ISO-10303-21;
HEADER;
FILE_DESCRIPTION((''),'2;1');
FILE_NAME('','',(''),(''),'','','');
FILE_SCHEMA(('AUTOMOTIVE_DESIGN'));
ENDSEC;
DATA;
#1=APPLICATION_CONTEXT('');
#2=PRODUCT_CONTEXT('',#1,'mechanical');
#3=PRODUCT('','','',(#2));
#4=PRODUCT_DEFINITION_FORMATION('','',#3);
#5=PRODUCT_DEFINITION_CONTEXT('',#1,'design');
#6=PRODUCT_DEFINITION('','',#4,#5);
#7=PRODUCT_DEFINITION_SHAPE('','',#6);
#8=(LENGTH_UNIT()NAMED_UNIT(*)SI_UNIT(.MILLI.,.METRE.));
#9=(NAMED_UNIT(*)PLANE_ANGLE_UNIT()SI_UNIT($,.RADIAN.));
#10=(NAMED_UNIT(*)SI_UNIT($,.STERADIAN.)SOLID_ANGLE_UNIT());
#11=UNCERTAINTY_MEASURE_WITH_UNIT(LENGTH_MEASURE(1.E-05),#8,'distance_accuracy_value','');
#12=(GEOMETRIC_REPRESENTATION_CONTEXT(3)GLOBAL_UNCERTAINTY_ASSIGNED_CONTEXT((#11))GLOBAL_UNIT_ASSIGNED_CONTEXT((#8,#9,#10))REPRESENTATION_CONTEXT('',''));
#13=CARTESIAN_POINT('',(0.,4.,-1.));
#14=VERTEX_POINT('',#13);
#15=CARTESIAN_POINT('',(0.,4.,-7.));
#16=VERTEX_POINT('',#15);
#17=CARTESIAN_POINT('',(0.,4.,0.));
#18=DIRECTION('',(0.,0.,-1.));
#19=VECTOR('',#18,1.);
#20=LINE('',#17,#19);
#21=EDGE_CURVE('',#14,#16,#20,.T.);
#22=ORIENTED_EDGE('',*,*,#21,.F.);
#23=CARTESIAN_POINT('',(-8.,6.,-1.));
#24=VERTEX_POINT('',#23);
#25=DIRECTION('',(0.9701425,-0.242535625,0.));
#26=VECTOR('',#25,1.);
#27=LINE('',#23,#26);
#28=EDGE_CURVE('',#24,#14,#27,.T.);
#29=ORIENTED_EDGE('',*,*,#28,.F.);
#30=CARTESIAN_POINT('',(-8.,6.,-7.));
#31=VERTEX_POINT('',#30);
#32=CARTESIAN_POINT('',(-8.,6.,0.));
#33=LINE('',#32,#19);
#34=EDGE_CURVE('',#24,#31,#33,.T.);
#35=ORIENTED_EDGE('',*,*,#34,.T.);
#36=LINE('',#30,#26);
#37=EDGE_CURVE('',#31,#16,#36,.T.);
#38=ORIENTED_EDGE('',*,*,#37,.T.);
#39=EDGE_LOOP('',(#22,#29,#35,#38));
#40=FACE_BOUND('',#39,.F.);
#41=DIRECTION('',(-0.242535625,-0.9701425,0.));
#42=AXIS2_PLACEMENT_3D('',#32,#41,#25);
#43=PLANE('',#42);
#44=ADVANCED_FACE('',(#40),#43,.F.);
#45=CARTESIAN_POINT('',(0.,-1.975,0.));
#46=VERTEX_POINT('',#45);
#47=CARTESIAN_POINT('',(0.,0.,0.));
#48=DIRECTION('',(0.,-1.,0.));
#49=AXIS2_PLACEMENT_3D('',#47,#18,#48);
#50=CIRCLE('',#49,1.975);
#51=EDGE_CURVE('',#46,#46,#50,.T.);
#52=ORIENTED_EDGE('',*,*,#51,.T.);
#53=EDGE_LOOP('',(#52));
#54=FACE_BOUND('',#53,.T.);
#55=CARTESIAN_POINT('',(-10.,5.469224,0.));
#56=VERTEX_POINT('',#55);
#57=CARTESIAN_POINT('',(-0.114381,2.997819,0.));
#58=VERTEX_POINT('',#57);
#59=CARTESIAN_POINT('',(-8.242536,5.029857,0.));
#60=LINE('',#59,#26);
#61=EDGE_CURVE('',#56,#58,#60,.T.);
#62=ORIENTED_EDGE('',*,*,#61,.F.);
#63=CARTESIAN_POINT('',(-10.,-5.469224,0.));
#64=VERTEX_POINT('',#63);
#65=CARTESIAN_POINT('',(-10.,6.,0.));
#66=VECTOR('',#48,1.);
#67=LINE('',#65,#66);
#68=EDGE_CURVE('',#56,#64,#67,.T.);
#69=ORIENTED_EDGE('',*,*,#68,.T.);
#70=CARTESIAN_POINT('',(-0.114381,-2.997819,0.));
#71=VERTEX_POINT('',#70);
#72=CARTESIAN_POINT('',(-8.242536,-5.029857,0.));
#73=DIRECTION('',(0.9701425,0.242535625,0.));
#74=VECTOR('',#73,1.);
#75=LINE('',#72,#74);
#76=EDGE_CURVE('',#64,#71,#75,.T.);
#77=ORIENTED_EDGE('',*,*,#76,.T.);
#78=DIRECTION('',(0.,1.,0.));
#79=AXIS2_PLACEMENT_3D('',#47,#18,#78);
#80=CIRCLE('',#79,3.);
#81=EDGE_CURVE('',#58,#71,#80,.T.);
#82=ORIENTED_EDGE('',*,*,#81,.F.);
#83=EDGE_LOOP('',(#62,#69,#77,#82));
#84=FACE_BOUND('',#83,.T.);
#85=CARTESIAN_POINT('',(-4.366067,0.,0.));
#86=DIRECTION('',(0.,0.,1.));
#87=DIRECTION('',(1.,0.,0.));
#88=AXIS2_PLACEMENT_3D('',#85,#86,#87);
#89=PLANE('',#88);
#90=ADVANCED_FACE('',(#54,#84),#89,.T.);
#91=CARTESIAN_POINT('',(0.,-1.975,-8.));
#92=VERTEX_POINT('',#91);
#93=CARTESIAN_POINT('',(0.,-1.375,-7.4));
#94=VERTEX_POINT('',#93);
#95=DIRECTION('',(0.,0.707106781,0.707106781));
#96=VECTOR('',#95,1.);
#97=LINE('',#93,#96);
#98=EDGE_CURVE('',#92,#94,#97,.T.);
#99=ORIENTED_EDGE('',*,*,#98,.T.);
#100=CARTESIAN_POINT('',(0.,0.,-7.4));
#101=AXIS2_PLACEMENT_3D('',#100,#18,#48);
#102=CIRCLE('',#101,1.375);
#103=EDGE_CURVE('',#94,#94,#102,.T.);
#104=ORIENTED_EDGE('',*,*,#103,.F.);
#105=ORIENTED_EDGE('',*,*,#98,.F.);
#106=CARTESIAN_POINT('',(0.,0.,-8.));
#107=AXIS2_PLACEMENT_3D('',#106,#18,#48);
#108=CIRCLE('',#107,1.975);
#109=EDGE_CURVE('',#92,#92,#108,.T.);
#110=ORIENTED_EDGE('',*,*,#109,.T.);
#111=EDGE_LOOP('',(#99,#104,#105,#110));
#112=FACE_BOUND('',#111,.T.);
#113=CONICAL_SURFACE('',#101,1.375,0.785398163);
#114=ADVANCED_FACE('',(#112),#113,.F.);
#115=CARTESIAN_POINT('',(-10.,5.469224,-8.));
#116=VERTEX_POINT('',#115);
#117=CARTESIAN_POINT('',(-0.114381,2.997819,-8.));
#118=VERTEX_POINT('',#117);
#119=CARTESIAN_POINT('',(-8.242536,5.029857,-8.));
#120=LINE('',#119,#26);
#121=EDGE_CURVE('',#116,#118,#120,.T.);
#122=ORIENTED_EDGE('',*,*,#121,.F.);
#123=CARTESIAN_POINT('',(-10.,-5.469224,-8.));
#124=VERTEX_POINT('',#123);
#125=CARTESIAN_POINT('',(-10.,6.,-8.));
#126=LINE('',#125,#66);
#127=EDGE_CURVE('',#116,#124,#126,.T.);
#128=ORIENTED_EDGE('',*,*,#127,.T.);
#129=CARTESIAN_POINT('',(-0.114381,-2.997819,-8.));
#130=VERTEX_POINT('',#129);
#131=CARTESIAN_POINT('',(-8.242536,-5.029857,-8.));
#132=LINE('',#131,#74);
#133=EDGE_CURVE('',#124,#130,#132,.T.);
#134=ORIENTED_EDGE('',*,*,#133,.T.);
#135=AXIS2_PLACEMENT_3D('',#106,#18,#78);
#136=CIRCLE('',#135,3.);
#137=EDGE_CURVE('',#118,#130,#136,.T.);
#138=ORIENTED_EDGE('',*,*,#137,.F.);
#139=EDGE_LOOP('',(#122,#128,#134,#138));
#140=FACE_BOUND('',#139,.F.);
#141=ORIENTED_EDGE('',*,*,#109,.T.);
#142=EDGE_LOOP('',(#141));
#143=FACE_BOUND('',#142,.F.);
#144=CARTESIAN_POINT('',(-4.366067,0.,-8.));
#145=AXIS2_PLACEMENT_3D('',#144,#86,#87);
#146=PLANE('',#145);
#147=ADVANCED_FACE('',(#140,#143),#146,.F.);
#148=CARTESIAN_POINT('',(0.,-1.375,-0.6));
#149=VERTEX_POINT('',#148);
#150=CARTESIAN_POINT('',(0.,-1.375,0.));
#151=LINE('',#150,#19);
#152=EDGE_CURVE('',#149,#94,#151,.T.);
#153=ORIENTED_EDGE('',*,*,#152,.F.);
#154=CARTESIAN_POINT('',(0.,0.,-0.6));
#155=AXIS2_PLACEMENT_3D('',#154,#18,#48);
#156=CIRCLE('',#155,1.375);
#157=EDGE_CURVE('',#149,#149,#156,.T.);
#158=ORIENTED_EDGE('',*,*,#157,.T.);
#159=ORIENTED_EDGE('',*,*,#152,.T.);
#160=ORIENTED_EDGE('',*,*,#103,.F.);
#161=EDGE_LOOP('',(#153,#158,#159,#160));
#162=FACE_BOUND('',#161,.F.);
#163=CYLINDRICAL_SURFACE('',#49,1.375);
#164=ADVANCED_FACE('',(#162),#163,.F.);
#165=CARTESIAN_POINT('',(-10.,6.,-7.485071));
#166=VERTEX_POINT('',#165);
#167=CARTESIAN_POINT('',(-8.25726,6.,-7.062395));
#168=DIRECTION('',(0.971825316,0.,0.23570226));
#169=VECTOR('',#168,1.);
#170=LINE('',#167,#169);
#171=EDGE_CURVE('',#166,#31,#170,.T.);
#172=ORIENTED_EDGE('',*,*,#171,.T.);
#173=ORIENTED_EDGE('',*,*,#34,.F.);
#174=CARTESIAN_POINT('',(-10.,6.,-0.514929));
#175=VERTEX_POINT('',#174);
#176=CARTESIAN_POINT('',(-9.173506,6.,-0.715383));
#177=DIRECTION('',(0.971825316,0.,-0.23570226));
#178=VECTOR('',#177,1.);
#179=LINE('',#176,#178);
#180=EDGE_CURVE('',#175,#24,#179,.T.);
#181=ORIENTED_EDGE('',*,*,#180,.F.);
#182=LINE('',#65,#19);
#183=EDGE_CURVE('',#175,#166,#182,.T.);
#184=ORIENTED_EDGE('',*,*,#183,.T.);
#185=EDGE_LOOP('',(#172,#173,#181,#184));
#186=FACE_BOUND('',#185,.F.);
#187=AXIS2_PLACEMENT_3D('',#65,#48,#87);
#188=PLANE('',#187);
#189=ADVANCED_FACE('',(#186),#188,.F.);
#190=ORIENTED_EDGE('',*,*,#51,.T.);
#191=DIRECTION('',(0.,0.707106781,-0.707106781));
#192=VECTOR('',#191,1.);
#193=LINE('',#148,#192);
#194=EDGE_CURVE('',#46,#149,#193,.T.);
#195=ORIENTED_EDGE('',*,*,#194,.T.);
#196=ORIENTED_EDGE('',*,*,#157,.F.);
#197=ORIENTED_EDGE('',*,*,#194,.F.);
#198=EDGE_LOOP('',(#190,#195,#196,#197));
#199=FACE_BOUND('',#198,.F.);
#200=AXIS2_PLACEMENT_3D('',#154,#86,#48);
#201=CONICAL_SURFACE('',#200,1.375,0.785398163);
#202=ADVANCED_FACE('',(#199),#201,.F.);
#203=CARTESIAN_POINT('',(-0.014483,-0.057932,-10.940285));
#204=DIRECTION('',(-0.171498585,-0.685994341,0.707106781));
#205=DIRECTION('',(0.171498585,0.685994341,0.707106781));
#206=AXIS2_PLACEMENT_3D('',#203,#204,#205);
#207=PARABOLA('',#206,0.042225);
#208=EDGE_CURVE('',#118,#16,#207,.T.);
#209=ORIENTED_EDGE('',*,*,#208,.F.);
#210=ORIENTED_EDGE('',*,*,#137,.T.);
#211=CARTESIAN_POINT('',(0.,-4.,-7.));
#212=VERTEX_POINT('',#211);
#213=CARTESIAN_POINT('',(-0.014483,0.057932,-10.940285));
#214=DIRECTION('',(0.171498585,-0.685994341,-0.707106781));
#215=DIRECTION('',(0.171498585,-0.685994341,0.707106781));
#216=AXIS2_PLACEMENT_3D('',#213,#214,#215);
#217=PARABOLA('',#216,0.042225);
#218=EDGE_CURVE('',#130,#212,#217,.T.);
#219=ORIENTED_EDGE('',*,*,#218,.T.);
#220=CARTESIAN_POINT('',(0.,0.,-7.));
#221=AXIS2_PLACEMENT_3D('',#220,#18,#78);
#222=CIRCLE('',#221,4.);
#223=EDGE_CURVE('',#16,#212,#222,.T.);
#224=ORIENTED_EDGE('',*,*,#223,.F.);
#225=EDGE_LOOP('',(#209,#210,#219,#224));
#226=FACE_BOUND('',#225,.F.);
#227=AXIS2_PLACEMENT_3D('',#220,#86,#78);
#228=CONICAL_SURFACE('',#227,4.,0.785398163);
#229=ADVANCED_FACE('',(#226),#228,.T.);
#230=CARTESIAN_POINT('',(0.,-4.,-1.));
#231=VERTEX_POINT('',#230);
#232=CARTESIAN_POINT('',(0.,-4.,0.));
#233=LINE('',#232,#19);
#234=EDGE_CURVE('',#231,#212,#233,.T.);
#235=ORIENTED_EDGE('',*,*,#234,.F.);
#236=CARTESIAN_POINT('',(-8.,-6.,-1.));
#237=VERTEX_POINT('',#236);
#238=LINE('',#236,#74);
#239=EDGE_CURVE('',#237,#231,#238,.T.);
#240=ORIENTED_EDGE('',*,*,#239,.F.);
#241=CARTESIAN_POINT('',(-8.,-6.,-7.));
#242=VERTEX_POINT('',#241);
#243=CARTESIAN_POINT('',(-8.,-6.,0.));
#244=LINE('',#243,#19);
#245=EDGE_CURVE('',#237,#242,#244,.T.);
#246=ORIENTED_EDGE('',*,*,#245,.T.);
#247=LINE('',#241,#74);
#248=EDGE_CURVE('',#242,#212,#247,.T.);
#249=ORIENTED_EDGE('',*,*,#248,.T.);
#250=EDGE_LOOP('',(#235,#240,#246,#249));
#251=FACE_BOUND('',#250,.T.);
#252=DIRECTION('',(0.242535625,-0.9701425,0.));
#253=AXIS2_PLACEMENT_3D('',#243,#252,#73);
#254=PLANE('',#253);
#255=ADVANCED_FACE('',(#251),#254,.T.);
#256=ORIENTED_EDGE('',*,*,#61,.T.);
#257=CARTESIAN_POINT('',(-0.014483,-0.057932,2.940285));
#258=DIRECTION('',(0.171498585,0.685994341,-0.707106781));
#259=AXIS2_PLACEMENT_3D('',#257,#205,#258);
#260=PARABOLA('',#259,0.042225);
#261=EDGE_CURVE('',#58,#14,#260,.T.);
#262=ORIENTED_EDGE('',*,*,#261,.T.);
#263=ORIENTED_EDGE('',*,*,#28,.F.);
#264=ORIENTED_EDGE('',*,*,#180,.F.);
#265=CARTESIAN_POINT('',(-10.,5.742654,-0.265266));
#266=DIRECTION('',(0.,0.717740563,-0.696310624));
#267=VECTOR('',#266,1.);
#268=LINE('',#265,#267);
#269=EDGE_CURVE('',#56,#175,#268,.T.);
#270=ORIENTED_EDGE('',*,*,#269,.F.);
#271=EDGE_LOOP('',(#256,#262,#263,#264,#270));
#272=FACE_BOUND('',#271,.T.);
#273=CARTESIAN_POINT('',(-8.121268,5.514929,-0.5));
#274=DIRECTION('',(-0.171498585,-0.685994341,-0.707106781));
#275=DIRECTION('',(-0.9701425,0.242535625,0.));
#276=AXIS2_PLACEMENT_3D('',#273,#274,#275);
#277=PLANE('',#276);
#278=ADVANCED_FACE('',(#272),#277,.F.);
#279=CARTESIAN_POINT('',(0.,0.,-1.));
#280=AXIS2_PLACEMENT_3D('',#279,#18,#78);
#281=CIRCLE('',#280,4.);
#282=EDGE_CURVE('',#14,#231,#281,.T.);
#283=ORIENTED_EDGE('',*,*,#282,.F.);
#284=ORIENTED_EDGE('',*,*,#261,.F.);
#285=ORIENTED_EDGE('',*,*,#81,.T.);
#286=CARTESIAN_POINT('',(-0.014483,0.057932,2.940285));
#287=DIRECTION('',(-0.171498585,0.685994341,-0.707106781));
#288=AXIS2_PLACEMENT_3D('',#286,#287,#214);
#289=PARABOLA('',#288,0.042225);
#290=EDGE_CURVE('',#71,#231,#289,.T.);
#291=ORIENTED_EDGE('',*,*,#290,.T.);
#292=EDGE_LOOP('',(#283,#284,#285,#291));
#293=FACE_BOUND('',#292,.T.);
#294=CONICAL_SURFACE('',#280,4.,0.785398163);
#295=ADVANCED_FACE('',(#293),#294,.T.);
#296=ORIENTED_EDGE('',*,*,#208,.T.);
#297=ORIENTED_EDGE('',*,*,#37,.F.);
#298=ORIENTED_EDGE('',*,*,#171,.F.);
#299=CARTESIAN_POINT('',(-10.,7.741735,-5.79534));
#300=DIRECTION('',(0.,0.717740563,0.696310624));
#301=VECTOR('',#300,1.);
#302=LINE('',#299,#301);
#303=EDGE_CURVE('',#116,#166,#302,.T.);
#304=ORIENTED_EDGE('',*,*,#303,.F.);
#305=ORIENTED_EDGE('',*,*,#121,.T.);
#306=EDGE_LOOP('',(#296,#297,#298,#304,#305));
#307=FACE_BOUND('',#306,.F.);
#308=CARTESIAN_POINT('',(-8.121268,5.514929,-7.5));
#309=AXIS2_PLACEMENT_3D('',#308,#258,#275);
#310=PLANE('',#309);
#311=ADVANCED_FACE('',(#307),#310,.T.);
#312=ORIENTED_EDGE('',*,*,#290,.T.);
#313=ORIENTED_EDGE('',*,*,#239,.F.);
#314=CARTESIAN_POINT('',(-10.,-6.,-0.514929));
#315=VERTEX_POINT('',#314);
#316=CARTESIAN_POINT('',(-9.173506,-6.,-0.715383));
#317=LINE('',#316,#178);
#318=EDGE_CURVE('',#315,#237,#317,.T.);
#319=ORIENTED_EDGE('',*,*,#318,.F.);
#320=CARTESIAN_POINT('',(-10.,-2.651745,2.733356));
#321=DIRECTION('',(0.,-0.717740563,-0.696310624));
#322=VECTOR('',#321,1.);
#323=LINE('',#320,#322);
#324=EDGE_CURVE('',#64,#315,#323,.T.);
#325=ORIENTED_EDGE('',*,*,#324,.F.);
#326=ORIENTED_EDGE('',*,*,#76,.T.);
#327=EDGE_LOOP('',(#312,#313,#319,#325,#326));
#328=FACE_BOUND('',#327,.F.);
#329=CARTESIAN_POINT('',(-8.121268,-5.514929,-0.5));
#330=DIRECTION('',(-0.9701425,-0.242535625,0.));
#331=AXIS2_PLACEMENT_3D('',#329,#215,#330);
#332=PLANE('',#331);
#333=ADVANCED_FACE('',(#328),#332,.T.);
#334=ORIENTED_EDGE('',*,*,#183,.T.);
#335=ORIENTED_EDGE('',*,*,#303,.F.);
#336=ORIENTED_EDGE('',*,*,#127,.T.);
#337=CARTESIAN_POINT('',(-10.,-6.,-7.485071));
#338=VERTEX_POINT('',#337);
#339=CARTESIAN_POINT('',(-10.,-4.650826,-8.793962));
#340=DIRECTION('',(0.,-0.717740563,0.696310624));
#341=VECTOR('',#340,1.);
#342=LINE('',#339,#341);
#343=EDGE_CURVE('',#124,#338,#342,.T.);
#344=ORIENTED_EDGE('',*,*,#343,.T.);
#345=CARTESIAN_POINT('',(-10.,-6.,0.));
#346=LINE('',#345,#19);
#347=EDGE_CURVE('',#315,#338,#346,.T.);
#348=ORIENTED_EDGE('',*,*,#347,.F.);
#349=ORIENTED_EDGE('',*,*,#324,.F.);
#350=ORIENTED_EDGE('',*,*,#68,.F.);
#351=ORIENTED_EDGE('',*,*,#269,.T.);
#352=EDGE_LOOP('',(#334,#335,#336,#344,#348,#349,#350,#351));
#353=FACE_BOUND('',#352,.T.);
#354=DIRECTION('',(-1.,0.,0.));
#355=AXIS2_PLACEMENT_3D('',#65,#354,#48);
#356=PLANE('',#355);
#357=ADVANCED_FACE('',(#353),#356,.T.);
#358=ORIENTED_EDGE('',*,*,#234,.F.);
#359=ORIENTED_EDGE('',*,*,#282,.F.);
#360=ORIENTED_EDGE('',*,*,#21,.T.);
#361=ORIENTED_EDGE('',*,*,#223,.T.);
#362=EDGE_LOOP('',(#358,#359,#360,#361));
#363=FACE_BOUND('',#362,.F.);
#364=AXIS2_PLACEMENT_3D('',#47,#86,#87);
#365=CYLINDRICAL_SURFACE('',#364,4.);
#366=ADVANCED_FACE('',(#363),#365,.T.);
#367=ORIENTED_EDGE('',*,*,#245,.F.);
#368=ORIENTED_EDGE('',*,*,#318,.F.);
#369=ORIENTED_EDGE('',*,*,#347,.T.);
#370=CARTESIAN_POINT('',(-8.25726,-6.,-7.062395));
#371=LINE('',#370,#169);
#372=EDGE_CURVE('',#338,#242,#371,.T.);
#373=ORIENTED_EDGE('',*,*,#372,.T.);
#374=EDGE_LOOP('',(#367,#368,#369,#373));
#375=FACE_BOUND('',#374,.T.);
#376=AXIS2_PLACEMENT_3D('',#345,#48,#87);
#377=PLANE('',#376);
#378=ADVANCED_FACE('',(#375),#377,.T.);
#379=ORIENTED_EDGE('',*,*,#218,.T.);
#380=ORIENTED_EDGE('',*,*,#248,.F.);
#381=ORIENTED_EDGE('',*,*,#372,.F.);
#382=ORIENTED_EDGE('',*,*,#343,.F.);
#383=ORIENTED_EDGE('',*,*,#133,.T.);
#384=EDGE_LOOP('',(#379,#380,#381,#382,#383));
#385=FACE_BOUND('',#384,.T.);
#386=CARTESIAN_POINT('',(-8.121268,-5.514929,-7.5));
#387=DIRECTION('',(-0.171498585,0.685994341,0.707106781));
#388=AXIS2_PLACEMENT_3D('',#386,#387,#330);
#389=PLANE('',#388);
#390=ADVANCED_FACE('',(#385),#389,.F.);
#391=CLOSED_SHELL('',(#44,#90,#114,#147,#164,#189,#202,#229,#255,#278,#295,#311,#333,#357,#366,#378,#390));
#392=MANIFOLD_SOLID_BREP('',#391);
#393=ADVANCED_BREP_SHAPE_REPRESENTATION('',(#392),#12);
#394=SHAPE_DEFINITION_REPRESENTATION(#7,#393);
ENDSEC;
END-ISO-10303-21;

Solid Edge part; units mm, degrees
sketch "Sketch1" plane through (0, 0, 0) normal (0, 0, 1) x (1, 0, 0)
  line L0 (-10, 6) -> (-10, -6)
  line L1 (-10, -6) -> (-8, -6)
  line L2 (-8, -6) -> (0, -4)
  arc A0 (0, 4) -> (0, -4) centre (0, 0) cw
  line L3 (-8, 6) -> (0, 4)
  line L4 (-10, 6) -> (-8, 6)
  dimension "D1" = 4
  dimension "D2" = 12
  dimension "D3" = 2
  dimension "D4" = 8
extrude "Protrusion1" add sketch "Sketch1" against normal blind 8
hole "screw_hole" at (0, 0, 0) direction (0, 0, -1) diameter 2.75 depth 30 tip angle 118 start chamfer 0.6 start chamfer angle 45 end chamfer 0.6 end chamfer angle 45
chamfer "side_chamfers" distance 1 angle 45 6 edges at (-4, -5, 0) (4, 0, 0) (-4, 5, 0) (-4, -5, -8) (4, 0, -8) (-4, 5, -8)
properties material "Polyethylene, low density"
